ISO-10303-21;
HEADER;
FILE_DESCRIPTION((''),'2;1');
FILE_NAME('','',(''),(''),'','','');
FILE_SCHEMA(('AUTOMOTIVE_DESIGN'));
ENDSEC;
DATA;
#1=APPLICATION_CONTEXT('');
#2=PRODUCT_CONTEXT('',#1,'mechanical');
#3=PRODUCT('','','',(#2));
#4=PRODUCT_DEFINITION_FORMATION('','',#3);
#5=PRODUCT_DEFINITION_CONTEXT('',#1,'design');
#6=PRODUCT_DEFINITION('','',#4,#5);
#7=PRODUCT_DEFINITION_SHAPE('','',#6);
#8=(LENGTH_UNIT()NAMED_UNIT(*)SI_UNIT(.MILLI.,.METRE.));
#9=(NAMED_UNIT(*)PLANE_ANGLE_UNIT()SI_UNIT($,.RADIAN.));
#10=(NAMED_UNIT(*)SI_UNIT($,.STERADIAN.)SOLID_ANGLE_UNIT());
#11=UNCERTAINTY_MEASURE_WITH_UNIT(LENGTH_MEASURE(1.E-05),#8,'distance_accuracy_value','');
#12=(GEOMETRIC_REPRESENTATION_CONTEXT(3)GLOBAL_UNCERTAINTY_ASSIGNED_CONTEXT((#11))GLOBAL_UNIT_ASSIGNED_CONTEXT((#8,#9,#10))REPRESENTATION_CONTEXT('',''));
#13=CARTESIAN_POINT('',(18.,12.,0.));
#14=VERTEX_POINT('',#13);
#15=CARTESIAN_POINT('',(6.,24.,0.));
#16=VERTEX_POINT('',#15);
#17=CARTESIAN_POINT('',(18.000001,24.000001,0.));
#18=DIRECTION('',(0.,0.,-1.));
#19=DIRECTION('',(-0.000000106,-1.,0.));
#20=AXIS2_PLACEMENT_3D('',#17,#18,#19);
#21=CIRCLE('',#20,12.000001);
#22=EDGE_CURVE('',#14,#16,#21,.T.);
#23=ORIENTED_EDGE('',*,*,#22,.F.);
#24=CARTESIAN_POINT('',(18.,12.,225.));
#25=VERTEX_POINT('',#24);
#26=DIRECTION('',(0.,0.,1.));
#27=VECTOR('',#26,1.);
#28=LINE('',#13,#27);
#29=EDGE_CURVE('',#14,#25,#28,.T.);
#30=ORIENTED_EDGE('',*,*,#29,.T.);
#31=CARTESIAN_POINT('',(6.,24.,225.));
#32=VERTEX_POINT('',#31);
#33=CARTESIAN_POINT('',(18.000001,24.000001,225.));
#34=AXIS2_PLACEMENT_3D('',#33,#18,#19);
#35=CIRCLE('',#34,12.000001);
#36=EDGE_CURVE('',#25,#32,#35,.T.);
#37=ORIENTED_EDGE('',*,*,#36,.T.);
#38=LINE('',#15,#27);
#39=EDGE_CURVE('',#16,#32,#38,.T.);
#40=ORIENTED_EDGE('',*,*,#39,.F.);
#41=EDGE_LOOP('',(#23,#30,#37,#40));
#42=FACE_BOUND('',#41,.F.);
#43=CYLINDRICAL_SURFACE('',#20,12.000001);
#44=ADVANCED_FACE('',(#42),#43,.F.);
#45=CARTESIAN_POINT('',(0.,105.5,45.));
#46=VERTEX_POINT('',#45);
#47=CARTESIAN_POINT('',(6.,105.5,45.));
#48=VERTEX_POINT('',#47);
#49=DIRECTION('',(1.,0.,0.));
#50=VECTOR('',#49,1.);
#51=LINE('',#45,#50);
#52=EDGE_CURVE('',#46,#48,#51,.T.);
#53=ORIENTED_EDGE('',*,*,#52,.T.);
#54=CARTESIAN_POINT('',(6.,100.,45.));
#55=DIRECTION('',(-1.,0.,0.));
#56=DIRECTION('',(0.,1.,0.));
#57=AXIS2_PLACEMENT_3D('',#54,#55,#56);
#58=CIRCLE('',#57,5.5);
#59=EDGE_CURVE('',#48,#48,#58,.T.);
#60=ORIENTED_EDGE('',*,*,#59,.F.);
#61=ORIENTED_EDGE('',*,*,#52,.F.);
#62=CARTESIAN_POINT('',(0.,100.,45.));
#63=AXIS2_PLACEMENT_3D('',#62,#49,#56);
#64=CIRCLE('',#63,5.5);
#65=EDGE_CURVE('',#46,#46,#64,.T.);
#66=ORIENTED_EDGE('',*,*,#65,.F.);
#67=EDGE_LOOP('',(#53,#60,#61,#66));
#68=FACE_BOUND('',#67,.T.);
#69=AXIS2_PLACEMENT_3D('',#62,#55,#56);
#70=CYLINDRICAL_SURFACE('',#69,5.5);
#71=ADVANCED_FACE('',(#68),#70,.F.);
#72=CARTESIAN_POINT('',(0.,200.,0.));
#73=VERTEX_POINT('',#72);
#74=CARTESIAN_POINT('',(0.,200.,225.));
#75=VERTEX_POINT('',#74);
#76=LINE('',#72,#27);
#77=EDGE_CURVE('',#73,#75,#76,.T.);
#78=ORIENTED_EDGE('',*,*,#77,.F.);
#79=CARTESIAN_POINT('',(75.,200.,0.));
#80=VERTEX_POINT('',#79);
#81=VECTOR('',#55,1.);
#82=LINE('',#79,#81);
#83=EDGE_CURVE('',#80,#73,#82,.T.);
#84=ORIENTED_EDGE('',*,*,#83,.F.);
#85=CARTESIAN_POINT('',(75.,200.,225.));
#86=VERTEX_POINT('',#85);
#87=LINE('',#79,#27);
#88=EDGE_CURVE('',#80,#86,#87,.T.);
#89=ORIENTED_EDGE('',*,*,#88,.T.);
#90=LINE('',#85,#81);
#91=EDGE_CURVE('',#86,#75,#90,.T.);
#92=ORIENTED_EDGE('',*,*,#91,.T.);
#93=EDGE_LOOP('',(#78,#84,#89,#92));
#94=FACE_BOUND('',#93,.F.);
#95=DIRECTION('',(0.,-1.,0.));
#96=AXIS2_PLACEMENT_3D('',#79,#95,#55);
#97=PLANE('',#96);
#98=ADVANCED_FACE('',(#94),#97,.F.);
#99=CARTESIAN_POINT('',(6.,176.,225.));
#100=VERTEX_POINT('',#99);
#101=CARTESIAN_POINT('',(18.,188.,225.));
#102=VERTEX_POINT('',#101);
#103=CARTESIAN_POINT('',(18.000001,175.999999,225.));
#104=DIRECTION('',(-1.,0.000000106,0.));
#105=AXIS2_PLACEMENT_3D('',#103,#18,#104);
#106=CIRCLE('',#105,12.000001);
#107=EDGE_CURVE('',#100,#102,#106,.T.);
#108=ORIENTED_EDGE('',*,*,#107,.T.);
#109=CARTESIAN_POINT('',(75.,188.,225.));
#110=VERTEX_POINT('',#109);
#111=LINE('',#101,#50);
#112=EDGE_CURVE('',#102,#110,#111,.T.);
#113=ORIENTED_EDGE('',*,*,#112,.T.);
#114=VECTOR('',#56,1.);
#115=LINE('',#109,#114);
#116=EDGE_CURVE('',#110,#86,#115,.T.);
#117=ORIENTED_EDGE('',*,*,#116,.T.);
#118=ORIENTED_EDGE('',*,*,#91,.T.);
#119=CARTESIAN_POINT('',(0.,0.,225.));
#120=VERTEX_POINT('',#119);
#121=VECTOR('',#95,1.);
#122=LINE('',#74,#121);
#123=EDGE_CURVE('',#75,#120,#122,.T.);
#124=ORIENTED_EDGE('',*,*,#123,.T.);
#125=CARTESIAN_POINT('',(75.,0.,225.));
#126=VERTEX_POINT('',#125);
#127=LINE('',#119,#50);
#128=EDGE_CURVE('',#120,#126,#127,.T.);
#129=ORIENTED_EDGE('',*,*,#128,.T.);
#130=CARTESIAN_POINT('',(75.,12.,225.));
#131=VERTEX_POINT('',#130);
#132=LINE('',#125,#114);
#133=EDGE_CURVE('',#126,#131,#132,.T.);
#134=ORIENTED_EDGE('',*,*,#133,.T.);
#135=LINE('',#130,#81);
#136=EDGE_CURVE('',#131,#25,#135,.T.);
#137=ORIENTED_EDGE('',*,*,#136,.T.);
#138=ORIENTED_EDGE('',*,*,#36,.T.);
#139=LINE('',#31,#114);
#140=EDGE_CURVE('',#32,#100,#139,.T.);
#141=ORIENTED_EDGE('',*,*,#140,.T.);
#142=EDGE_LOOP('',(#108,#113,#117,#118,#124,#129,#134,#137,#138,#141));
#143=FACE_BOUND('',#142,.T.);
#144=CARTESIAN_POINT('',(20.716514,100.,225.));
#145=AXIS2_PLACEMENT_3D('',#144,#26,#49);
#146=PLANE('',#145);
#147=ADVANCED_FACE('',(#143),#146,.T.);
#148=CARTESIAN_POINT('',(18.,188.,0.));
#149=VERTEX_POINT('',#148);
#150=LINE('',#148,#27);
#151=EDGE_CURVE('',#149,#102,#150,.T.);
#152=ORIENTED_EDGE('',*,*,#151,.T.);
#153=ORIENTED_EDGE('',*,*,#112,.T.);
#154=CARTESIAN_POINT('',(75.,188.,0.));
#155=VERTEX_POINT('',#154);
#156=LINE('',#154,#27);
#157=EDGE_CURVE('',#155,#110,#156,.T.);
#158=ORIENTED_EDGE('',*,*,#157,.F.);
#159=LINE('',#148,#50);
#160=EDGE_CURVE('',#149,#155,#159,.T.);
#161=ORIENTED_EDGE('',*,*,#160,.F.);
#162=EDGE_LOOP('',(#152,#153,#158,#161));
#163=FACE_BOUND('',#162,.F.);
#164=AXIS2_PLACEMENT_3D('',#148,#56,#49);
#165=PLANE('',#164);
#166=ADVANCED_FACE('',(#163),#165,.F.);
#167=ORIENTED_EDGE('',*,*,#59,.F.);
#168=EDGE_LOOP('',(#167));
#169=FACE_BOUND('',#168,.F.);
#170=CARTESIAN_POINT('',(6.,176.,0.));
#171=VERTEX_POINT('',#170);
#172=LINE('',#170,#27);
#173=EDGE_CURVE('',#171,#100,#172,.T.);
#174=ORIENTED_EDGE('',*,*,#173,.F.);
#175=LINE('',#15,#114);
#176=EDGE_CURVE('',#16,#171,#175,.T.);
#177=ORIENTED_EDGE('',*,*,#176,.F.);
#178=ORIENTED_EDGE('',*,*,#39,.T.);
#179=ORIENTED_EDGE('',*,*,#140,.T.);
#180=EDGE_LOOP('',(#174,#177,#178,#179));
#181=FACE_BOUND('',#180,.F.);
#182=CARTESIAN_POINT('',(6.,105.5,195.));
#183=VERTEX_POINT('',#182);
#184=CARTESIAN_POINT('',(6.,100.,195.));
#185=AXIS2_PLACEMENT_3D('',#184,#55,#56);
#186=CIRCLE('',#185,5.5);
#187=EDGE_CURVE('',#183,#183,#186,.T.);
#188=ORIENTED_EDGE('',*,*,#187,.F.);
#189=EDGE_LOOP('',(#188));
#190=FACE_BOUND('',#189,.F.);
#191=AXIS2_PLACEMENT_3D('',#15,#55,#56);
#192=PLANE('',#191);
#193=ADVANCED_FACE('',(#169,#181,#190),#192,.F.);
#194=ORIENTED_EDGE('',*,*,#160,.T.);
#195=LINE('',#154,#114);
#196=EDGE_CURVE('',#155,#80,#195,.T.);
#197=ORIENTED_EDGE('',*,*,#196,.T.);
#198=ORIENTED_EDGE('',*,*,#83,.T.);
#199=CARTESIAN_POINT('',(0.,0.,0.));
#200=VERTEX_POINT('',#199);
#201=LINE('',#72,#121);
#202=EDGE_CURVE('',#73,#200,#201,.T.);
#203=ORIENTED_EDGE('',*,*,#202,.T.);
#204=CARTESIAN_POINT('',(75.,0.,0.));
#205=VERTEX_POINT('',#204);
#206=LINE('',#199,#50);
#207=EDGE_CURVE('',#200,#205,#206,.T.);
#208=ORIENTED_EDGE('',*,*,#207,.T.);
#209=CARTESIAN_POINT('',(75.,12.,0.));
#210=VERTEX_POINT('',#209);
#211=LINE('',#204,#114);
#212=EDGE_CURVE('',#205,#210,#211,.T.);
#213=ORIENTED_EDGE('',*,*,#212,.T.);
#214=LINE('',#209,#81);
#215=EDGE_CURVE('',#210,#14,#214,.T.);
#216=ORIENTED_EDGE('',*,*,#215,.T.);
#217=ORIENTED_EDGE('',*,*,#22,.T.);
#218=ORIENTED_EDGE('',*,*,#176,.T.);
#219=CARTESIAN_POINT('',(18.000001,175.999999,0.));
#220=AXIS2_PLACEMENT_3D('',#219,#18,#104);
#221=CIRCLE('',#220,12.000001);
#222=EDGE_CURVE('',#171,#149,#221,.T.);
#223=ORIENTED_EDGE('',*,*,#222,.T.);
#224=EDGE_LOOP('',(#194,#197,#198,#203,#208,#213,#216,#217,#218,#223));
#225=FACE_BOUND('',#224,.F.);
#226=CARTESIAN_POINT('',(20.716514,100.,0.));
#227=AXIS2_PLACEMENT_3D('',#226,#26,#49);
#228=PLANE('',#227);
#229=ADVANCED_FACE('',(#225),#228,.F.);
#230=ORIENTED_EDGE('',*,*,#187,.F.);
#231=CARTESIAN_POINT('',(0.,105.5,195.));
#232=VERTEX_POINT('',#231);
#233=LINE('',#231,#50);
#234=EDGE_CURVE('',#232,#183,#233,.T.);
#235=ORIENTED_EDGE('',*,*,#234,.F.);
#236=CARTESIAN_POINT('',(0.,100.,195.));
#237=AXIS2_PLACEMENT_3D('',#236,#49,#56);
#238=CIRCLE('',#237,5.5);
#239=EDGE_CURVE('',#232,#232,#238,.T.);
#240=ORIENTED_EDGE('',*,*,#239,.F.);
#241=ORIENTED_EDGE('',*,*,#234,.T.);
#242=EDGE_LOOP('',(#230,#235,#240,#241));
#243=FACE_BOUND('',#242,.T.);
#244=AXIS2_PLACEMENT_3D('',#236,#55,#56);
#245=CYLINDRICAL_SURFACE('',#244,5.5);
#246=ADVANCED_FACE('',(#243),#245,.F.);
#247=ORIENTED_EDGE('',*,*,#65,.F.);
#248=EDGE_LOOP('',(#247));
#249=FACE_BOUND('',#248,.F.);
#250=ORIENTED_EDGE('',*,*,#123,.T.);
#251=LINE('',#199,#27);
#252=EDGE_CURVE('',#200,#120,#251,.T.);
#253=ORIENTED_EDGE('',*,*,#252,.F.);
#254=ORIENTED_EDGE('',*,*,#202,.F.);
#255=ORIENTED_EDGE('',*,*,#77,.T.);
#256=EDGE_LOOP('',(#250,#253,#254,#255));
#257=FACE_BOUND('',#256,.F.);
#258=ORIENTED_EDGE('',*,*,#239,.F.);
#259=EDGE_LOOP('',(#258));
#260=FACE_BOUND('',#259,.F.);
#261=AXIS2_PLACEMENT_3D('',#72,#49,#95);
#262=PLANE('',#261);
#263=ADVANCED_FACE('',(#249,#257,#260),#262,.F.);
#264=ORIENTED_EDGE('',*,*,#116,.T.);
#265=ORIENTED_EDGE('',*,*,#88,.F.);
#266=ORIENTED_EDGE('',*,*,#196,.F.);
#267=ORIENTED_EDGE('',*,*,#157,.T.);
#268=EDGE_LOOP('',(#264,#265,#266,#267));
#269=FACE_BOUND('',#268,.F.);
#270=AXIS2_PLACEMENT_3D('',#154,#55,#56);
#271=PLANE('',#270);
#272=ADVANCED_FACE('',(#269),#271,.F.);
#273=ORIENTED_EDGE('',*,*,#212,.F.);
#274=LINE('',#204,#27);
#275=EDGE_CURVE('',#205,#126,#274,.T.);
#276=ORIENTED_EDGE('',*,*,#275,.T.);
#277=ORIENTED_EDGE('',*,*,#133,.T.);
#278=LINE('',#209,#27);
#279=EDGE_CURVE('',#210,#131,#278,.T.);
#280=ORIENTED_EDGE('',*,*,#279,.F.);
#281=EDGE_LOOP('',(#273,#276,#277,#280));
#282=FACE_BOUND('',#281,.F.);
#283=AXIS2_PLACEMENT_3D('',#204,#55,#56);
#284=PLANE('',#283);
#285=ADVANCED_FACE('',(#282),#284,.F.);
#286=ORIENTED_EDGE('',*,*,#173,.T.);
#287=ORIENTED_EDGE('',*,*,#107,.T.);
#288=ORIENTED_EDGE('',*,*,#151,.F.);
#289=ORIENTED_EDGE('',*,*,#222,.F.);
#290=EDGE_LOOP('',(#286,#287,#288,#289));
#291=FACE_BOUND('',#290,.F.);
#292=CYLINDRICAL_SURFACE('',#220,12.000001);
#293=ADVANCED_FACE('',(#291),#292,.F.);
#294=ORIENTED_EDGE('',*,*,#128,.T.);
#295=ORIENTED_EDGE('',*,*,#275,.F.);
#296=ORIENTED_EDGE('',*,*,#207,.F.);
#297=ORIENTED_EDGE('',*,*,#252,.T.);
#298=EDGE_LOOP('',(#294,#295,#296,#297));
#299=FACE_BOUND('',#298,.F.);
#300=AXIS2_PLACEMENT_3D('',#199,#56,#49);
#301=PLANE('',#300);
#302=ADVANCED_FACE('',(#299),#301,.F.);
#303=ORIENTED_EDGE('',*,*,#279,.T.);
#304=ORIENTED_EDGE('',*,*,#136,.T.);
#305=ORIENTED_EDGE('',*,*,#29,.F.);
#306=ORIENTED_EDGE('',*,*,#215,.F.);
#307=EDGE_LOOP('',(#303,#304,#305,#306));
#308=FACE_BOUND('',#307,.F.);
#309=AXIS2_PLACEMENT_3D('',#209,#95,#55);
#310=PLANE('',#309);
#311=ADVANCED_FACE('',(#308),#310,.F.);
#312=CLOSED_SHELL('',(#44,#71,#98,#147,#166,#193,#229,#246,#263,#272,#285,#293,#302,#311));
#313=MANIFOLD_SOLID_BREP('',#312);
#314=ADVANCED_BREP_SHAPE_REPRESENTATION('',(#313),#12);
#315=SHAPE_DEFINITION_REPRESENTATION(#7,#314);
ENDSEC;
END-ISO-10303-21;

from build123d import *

# Parameters (mm, degrees)
F1_DEPTH = 225
F2_R     = 5.5
F3_DEPTH = 75.001


with BuildPart() as f1:
    # F0 (on Top) → F1 (new body)
    with BuildSketch(Plane.XY):
        with BuildLine():
            Line((0, 200), (0, 0))
            Line((0, 0), (75, 0))
            Line((75, 0), (75, 12))
            Line((75, 12), (18, 12))
            ThreePointArc((18, 12), (9.514719, 15.514719), (6, 24))
            Line((6, 24), (6, 176))
            ThreePointArc((6, 176), (9.514719, 184.485281), (18, 188))
            Line((18, 188), (75, 188))
            Line((75, 188), (75, 200))
            Line((75, 200), (0, 200))
        make_face()
    extrude(amount=F1_DEPTH)

    # F2 (on Right) → F3 (cut, through all)
    with BuildSketch(Plane.YZ):
        with Locations((100, 195)):
            Circle(F2_R)
        with Locations((100, 45)):
            Circle(F2_R)
    extrude(amount=F3_DEPTH, mode=Mode.SUBTRACT)


solid = f1.part
